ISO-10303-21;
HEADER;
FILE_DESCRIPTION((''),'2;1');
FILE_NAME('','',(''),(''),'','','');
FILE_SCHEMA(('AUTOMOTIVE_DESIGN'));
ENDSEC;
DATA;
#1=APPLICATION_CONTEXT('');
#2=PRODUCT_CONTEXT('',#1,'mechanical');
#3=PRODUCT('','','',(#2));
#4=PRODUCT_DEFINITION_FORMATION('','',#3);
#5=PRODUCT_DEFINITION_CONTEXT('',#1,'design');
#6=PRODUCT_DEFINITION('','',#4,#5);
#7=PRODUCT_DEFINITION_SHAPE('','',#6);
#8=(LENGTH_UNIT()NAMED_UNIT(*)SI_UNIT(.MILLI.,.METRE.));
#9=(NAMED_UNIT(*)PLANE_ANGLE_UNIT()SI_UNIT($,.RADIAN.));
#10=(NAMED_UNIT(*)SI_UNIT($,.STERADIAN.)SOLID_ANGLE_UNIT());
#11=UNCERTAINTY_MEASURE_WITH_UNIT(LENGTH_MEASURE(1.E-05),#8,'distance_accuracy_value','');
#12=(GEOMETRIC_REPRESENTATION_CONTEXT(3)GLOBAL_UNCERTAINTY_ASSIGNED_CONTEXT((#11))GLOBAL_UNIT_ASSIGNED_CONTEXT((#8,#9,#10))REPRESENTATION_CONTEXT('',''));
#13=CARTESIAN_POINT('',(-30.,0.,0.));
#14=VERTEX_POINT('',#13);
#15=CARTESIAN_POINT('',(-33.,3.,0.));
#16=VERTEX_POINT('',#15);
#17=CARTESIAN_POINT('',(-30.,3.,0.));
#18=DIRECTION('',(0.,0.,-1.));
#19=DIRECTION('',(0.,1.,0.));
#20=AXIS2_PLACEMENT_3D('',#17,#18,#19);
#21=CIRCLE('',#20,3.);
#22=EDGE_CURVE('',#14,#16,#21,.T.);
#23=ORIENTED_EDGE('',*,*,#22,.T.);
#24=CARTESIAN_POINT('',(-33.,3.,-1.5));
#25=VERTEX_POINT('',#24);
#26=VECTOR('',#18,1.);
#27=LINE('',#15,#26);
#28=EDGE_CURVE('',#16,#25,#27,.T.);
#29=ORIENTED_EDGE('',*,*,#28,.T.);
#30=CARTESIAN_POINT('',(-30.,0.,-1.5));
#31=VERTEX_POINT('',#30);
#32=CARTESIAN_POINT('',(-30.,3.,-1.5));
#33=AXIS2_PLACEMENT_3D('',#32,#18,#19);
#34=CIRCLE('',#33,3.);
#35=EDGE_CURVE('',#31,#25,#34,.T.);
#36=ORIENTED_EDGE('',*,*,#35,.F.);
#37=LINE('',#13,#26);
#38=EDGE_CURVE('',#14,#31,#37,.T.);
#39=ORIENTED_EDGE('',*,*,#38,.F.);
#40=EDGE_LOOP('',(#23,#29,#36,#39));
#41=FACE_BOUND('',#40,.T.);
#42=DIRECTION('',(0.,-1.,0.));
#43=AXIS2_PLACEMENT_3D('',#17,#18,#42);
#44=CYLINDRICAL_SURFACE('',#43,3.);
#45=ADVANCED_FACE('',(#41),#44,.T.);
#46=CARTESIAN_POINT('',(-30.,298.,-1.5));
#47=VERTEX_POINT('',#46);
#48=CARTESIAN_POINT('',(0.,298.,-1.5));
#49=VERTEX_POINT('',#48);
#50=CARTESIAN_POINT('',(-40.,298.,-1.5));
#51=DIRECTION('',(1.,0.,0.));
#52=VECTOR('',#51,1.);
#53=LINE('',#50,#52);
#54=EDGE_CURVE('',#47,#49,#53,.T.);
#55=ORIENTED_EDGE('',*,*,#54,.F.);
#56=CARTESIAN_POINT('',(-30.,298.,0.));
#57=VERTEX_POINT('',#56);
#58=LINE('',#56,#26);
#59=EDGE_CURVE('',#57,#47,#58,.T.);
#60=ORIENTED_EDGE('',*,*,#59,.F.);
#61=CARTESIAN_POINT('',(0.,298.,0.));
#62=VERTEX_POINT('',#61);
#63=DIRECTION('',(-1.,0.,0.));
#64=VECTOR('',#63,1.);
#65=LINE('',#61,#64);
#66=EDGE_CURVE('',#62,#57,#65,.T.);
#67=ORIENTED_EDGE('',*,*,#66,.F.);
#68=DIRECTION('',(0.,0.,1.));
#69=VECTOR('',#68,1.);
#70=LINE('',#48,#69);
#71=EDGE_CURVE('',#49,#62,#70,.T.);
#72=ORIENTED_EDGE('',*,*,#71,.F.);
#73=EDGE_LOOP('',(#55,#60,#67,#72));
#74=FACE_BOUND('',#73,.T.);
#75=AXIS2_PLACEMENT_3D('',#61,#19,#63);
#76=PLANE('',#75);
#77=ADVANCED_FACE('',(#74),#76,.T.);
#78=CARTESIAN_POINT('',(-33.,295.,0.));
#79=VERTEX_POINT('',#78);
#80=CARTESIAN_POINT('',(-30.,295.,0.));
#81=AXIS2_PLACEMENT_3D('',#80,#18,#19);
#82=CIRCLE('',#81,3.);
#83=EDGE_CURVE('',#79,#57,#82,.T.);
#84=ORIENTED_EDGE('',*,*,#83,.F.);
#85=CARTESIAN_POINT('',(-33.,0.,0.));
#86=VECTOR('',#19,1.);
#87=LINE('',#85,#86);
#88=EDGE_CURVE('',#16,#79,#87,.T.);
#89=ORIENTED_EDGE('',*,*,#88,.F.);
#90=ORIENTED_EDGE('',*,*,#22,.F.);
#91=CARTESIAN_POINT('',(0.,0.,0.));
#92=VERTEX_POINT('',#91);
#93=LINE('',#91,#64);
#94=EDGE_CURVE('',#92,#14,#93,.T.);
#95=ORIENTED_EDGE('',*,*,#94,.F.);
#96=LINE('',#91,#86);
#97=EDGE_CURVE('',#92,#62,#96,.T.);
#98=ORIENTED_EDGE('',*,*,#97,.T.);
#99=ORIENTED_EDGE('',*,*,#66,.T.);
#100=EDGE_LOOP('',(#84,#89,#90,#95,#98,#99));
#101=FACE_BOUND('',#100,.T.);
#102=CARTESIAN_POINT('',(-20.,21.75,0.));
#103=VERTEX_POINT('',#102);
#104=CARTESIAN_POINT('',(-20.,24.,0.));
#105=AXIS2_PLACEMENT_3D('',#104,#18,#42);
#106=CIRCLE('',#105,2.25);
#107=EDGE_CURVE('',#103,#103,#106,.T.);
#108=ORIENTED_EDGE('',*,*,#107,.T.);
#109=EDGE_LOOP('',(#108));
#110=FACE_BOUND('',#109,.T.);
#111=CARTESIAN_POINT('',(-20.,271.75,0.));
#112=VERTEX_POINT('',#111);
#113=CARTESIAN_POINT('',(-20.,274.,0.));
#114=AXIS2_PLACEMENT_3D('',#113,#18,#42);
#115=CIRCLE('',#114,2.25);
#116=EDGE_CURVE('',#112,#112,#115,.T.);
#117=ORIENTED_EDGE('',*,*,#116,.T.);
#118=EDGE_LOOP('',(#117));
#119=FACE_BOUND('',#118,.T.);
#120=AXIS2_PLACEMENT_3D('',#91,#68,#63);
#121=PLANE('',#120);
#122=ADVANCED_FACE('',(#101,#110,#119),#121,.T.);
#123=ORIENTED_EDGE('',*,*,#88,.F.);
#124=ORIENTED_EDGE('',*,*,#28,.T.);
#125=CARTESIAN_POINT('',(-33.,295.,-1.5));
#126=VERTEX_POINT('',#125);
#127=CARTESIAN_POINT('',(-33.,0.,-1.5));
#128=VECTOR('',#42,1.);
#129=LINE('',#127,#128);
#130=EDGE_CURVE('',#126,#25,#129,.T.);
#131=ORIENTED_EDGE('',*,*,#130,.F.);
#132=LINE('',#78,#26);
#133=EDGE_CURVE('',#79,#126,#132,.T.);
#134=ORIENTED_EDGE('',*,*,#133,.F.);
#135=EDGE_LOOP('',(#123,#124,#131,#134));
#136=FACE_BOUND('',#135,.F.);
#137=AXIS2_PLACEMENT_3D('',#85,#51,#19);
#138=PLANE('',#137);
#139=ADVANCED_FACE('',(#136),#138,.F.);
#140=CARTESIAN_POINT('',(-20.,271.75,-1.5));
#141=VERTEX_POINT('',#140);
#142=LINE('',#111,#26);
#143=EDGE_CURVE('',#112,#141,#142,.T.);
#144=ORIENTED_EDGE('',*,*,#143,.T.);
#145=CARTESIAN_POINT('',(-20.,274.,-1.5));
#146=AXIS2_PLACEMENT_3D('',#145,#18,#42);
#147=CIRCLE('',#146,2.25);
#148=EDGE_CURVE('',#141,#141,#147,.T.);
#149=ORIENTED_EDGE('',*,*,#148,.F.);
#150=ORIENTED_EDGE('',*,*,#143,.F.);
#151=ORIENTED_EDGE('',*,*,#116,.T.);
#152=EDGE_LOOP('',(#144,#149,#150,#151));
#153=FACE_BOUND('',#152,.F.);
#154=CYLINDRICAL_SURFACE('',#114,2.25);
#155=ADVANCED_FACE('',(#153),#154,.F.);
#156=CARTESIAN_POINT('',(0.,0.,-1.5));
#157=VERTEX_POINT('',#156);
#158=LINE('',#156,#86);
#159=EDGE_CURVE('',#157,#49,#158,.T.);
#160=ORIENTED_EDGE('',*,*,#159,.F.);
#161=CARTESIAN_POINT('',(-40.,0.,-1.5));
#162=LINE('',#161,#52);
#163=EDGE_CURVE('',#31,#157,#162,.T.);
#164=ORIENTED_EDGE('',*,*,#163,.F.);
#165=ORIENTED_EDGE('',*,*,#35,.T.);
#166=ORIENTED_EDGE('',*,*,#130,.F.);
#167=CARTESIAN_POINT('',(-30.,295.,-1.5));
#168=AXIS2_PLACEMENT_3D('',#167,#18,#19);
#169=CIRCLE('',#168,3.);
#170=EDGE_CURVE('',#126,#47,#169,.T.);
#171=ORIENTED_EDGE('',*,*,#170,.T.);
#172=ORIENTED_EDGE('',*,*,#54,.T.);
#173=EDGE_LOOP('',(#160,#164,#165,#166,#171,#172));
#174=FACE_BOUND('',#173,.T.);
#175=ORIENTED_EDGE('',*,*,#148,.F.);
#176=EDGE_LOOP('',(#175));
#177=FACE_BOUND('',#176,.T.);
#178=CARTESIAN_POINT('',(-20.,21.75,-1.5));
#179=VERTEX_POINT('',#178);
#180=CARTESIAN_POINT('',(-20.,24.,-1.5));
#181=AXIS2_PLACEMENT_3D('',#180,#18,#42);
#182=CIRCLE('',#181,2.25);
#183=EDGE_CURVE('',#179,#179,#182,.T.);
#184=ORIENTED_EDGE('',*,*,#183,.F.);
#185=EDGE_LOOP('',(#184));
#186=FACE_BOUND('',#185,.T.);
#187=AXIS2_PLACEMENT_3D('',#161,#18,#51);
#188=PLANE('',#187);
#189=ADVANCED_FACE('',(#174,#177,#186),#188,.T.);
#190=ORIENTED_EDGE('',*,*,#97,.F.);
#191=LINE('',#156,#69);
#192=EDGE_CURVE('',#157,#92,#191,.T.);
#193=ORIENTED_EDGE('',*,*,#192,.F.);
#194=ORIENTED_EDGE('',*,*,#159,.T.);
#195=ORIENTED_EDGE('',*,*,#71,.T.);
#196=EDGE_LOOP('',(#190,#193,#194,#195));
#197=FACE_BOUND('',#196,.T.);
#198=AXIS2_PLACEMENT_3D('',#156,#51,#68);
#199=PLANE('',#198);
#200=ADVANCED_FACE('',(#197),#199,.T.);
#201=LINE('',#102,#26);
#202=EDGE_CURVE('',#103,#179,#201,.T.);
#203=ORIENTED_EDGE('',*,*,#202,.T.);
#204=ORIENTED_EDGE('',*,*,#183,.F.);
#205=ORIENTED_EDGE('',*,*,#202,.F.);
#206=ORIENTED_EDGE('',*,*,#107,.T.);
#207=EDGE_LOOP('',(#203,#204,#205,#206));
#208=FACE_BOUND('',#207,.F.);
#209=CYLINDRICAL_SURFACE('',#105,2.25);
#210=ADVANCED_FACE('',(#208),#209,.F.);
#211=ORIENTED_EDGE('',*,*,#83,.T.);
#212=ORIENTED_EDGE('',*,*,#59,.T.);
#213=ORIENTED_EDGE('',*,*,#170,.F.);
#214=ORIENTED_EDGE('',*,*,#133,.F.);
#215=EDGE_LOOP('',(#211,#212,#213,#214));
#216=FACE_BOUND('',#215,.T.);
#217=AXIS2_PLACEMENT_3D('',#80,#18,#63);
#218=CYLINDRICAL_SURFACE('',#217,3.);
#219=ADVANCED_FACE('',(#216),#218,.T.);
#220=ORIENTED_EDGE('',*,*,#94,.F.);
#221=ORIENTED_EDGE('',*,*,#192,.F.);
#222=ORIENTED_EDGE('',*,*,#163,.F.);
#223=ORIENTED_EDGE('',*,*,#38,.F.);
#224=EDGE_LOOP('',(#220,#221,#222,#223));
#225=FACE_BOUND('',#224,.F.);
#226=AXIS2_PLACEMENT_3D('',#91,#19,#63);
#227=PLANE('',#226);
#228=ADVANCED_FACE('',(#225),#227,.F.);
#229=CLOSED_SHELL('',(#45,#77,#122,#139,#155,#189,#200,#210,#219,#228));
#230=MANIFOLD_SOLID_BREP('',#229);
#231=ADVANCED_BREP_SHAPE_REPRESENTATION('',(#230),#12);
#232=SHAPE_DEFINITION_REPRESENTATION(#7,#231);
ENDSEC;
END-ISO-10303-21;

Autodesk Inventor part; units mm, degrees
ref_plane "YZ Plane" through (0, 0, 0) normal (1, 0, 0) x (0, 1, 0)
ref_plane "XZ Plane" through (0, 0, 0) normal (0, 1, 0) x (-1, 0, 0)
ref_plane "XY Plane" through (0, 0, 0) normal (0, 0, 1) x (1, 0, 0)
sketch "Skizze1" plane through (0, 0, 0) normal (0, 1, 0) x (-1, 0, 0)
  line L0 (0, 0) -> (40, 0)
  line L1 (40, 0) -> (40, -1.5)
  line L2 (40, -1.5) -> (0, -1.5)
  line L3 (0, -1.5) -> (0, 0)
  dimension "d0" = 40
  dimension "d1" = 1.5
extrude "Extrusion1" add sketch "Skizze1" along normal blind 298
sketch "Skizze2" plane through (-40, 0, 0) normal (0, 0, 1) x (1, 0, 0)
  line L0 (0, 298) -> (40, 298) projected
  line L1 (40, 0) -> (40, 298) projected
  point P0 (20, 24)
  point P1 (20, 274)
  dimension "d4" = 250
  dimension "d5" = 298
  dimension "d6" = 24
  dimension "d7" = 20
  dimension "d8" = 20
hole "Bohrung1" at (-20, 24, 0) at (-20, 274, 0) direction (0, 0, -1) diameter 4.5 depth 11.8 tip angle 118
sketch "Skizze3" plane through (-40, 0, 0) normal (0, 0, 1) x (1, 0, 0)
  line L0 (0, 0) -> (0, 298) projected
  line L1 (0, 0) -> (7, 0)
  line L2 (7, 0) -> (7, 298)
  line L3 (7, 298) -> (0, 298)
  line L4 (0, 298) -> (0, 0)
  point P0 (40, 0)
  dimension "d16" = 7
  dimension "d17" = 298
extrude "Extrusion2" cut sketch "Skizze3" against normal blind 298
fillet "Rundung1" radius 3 2 edges at (-33, 0, -0.75) (-33, 298, -0.75)
properties part number "Deckelanschlag"
